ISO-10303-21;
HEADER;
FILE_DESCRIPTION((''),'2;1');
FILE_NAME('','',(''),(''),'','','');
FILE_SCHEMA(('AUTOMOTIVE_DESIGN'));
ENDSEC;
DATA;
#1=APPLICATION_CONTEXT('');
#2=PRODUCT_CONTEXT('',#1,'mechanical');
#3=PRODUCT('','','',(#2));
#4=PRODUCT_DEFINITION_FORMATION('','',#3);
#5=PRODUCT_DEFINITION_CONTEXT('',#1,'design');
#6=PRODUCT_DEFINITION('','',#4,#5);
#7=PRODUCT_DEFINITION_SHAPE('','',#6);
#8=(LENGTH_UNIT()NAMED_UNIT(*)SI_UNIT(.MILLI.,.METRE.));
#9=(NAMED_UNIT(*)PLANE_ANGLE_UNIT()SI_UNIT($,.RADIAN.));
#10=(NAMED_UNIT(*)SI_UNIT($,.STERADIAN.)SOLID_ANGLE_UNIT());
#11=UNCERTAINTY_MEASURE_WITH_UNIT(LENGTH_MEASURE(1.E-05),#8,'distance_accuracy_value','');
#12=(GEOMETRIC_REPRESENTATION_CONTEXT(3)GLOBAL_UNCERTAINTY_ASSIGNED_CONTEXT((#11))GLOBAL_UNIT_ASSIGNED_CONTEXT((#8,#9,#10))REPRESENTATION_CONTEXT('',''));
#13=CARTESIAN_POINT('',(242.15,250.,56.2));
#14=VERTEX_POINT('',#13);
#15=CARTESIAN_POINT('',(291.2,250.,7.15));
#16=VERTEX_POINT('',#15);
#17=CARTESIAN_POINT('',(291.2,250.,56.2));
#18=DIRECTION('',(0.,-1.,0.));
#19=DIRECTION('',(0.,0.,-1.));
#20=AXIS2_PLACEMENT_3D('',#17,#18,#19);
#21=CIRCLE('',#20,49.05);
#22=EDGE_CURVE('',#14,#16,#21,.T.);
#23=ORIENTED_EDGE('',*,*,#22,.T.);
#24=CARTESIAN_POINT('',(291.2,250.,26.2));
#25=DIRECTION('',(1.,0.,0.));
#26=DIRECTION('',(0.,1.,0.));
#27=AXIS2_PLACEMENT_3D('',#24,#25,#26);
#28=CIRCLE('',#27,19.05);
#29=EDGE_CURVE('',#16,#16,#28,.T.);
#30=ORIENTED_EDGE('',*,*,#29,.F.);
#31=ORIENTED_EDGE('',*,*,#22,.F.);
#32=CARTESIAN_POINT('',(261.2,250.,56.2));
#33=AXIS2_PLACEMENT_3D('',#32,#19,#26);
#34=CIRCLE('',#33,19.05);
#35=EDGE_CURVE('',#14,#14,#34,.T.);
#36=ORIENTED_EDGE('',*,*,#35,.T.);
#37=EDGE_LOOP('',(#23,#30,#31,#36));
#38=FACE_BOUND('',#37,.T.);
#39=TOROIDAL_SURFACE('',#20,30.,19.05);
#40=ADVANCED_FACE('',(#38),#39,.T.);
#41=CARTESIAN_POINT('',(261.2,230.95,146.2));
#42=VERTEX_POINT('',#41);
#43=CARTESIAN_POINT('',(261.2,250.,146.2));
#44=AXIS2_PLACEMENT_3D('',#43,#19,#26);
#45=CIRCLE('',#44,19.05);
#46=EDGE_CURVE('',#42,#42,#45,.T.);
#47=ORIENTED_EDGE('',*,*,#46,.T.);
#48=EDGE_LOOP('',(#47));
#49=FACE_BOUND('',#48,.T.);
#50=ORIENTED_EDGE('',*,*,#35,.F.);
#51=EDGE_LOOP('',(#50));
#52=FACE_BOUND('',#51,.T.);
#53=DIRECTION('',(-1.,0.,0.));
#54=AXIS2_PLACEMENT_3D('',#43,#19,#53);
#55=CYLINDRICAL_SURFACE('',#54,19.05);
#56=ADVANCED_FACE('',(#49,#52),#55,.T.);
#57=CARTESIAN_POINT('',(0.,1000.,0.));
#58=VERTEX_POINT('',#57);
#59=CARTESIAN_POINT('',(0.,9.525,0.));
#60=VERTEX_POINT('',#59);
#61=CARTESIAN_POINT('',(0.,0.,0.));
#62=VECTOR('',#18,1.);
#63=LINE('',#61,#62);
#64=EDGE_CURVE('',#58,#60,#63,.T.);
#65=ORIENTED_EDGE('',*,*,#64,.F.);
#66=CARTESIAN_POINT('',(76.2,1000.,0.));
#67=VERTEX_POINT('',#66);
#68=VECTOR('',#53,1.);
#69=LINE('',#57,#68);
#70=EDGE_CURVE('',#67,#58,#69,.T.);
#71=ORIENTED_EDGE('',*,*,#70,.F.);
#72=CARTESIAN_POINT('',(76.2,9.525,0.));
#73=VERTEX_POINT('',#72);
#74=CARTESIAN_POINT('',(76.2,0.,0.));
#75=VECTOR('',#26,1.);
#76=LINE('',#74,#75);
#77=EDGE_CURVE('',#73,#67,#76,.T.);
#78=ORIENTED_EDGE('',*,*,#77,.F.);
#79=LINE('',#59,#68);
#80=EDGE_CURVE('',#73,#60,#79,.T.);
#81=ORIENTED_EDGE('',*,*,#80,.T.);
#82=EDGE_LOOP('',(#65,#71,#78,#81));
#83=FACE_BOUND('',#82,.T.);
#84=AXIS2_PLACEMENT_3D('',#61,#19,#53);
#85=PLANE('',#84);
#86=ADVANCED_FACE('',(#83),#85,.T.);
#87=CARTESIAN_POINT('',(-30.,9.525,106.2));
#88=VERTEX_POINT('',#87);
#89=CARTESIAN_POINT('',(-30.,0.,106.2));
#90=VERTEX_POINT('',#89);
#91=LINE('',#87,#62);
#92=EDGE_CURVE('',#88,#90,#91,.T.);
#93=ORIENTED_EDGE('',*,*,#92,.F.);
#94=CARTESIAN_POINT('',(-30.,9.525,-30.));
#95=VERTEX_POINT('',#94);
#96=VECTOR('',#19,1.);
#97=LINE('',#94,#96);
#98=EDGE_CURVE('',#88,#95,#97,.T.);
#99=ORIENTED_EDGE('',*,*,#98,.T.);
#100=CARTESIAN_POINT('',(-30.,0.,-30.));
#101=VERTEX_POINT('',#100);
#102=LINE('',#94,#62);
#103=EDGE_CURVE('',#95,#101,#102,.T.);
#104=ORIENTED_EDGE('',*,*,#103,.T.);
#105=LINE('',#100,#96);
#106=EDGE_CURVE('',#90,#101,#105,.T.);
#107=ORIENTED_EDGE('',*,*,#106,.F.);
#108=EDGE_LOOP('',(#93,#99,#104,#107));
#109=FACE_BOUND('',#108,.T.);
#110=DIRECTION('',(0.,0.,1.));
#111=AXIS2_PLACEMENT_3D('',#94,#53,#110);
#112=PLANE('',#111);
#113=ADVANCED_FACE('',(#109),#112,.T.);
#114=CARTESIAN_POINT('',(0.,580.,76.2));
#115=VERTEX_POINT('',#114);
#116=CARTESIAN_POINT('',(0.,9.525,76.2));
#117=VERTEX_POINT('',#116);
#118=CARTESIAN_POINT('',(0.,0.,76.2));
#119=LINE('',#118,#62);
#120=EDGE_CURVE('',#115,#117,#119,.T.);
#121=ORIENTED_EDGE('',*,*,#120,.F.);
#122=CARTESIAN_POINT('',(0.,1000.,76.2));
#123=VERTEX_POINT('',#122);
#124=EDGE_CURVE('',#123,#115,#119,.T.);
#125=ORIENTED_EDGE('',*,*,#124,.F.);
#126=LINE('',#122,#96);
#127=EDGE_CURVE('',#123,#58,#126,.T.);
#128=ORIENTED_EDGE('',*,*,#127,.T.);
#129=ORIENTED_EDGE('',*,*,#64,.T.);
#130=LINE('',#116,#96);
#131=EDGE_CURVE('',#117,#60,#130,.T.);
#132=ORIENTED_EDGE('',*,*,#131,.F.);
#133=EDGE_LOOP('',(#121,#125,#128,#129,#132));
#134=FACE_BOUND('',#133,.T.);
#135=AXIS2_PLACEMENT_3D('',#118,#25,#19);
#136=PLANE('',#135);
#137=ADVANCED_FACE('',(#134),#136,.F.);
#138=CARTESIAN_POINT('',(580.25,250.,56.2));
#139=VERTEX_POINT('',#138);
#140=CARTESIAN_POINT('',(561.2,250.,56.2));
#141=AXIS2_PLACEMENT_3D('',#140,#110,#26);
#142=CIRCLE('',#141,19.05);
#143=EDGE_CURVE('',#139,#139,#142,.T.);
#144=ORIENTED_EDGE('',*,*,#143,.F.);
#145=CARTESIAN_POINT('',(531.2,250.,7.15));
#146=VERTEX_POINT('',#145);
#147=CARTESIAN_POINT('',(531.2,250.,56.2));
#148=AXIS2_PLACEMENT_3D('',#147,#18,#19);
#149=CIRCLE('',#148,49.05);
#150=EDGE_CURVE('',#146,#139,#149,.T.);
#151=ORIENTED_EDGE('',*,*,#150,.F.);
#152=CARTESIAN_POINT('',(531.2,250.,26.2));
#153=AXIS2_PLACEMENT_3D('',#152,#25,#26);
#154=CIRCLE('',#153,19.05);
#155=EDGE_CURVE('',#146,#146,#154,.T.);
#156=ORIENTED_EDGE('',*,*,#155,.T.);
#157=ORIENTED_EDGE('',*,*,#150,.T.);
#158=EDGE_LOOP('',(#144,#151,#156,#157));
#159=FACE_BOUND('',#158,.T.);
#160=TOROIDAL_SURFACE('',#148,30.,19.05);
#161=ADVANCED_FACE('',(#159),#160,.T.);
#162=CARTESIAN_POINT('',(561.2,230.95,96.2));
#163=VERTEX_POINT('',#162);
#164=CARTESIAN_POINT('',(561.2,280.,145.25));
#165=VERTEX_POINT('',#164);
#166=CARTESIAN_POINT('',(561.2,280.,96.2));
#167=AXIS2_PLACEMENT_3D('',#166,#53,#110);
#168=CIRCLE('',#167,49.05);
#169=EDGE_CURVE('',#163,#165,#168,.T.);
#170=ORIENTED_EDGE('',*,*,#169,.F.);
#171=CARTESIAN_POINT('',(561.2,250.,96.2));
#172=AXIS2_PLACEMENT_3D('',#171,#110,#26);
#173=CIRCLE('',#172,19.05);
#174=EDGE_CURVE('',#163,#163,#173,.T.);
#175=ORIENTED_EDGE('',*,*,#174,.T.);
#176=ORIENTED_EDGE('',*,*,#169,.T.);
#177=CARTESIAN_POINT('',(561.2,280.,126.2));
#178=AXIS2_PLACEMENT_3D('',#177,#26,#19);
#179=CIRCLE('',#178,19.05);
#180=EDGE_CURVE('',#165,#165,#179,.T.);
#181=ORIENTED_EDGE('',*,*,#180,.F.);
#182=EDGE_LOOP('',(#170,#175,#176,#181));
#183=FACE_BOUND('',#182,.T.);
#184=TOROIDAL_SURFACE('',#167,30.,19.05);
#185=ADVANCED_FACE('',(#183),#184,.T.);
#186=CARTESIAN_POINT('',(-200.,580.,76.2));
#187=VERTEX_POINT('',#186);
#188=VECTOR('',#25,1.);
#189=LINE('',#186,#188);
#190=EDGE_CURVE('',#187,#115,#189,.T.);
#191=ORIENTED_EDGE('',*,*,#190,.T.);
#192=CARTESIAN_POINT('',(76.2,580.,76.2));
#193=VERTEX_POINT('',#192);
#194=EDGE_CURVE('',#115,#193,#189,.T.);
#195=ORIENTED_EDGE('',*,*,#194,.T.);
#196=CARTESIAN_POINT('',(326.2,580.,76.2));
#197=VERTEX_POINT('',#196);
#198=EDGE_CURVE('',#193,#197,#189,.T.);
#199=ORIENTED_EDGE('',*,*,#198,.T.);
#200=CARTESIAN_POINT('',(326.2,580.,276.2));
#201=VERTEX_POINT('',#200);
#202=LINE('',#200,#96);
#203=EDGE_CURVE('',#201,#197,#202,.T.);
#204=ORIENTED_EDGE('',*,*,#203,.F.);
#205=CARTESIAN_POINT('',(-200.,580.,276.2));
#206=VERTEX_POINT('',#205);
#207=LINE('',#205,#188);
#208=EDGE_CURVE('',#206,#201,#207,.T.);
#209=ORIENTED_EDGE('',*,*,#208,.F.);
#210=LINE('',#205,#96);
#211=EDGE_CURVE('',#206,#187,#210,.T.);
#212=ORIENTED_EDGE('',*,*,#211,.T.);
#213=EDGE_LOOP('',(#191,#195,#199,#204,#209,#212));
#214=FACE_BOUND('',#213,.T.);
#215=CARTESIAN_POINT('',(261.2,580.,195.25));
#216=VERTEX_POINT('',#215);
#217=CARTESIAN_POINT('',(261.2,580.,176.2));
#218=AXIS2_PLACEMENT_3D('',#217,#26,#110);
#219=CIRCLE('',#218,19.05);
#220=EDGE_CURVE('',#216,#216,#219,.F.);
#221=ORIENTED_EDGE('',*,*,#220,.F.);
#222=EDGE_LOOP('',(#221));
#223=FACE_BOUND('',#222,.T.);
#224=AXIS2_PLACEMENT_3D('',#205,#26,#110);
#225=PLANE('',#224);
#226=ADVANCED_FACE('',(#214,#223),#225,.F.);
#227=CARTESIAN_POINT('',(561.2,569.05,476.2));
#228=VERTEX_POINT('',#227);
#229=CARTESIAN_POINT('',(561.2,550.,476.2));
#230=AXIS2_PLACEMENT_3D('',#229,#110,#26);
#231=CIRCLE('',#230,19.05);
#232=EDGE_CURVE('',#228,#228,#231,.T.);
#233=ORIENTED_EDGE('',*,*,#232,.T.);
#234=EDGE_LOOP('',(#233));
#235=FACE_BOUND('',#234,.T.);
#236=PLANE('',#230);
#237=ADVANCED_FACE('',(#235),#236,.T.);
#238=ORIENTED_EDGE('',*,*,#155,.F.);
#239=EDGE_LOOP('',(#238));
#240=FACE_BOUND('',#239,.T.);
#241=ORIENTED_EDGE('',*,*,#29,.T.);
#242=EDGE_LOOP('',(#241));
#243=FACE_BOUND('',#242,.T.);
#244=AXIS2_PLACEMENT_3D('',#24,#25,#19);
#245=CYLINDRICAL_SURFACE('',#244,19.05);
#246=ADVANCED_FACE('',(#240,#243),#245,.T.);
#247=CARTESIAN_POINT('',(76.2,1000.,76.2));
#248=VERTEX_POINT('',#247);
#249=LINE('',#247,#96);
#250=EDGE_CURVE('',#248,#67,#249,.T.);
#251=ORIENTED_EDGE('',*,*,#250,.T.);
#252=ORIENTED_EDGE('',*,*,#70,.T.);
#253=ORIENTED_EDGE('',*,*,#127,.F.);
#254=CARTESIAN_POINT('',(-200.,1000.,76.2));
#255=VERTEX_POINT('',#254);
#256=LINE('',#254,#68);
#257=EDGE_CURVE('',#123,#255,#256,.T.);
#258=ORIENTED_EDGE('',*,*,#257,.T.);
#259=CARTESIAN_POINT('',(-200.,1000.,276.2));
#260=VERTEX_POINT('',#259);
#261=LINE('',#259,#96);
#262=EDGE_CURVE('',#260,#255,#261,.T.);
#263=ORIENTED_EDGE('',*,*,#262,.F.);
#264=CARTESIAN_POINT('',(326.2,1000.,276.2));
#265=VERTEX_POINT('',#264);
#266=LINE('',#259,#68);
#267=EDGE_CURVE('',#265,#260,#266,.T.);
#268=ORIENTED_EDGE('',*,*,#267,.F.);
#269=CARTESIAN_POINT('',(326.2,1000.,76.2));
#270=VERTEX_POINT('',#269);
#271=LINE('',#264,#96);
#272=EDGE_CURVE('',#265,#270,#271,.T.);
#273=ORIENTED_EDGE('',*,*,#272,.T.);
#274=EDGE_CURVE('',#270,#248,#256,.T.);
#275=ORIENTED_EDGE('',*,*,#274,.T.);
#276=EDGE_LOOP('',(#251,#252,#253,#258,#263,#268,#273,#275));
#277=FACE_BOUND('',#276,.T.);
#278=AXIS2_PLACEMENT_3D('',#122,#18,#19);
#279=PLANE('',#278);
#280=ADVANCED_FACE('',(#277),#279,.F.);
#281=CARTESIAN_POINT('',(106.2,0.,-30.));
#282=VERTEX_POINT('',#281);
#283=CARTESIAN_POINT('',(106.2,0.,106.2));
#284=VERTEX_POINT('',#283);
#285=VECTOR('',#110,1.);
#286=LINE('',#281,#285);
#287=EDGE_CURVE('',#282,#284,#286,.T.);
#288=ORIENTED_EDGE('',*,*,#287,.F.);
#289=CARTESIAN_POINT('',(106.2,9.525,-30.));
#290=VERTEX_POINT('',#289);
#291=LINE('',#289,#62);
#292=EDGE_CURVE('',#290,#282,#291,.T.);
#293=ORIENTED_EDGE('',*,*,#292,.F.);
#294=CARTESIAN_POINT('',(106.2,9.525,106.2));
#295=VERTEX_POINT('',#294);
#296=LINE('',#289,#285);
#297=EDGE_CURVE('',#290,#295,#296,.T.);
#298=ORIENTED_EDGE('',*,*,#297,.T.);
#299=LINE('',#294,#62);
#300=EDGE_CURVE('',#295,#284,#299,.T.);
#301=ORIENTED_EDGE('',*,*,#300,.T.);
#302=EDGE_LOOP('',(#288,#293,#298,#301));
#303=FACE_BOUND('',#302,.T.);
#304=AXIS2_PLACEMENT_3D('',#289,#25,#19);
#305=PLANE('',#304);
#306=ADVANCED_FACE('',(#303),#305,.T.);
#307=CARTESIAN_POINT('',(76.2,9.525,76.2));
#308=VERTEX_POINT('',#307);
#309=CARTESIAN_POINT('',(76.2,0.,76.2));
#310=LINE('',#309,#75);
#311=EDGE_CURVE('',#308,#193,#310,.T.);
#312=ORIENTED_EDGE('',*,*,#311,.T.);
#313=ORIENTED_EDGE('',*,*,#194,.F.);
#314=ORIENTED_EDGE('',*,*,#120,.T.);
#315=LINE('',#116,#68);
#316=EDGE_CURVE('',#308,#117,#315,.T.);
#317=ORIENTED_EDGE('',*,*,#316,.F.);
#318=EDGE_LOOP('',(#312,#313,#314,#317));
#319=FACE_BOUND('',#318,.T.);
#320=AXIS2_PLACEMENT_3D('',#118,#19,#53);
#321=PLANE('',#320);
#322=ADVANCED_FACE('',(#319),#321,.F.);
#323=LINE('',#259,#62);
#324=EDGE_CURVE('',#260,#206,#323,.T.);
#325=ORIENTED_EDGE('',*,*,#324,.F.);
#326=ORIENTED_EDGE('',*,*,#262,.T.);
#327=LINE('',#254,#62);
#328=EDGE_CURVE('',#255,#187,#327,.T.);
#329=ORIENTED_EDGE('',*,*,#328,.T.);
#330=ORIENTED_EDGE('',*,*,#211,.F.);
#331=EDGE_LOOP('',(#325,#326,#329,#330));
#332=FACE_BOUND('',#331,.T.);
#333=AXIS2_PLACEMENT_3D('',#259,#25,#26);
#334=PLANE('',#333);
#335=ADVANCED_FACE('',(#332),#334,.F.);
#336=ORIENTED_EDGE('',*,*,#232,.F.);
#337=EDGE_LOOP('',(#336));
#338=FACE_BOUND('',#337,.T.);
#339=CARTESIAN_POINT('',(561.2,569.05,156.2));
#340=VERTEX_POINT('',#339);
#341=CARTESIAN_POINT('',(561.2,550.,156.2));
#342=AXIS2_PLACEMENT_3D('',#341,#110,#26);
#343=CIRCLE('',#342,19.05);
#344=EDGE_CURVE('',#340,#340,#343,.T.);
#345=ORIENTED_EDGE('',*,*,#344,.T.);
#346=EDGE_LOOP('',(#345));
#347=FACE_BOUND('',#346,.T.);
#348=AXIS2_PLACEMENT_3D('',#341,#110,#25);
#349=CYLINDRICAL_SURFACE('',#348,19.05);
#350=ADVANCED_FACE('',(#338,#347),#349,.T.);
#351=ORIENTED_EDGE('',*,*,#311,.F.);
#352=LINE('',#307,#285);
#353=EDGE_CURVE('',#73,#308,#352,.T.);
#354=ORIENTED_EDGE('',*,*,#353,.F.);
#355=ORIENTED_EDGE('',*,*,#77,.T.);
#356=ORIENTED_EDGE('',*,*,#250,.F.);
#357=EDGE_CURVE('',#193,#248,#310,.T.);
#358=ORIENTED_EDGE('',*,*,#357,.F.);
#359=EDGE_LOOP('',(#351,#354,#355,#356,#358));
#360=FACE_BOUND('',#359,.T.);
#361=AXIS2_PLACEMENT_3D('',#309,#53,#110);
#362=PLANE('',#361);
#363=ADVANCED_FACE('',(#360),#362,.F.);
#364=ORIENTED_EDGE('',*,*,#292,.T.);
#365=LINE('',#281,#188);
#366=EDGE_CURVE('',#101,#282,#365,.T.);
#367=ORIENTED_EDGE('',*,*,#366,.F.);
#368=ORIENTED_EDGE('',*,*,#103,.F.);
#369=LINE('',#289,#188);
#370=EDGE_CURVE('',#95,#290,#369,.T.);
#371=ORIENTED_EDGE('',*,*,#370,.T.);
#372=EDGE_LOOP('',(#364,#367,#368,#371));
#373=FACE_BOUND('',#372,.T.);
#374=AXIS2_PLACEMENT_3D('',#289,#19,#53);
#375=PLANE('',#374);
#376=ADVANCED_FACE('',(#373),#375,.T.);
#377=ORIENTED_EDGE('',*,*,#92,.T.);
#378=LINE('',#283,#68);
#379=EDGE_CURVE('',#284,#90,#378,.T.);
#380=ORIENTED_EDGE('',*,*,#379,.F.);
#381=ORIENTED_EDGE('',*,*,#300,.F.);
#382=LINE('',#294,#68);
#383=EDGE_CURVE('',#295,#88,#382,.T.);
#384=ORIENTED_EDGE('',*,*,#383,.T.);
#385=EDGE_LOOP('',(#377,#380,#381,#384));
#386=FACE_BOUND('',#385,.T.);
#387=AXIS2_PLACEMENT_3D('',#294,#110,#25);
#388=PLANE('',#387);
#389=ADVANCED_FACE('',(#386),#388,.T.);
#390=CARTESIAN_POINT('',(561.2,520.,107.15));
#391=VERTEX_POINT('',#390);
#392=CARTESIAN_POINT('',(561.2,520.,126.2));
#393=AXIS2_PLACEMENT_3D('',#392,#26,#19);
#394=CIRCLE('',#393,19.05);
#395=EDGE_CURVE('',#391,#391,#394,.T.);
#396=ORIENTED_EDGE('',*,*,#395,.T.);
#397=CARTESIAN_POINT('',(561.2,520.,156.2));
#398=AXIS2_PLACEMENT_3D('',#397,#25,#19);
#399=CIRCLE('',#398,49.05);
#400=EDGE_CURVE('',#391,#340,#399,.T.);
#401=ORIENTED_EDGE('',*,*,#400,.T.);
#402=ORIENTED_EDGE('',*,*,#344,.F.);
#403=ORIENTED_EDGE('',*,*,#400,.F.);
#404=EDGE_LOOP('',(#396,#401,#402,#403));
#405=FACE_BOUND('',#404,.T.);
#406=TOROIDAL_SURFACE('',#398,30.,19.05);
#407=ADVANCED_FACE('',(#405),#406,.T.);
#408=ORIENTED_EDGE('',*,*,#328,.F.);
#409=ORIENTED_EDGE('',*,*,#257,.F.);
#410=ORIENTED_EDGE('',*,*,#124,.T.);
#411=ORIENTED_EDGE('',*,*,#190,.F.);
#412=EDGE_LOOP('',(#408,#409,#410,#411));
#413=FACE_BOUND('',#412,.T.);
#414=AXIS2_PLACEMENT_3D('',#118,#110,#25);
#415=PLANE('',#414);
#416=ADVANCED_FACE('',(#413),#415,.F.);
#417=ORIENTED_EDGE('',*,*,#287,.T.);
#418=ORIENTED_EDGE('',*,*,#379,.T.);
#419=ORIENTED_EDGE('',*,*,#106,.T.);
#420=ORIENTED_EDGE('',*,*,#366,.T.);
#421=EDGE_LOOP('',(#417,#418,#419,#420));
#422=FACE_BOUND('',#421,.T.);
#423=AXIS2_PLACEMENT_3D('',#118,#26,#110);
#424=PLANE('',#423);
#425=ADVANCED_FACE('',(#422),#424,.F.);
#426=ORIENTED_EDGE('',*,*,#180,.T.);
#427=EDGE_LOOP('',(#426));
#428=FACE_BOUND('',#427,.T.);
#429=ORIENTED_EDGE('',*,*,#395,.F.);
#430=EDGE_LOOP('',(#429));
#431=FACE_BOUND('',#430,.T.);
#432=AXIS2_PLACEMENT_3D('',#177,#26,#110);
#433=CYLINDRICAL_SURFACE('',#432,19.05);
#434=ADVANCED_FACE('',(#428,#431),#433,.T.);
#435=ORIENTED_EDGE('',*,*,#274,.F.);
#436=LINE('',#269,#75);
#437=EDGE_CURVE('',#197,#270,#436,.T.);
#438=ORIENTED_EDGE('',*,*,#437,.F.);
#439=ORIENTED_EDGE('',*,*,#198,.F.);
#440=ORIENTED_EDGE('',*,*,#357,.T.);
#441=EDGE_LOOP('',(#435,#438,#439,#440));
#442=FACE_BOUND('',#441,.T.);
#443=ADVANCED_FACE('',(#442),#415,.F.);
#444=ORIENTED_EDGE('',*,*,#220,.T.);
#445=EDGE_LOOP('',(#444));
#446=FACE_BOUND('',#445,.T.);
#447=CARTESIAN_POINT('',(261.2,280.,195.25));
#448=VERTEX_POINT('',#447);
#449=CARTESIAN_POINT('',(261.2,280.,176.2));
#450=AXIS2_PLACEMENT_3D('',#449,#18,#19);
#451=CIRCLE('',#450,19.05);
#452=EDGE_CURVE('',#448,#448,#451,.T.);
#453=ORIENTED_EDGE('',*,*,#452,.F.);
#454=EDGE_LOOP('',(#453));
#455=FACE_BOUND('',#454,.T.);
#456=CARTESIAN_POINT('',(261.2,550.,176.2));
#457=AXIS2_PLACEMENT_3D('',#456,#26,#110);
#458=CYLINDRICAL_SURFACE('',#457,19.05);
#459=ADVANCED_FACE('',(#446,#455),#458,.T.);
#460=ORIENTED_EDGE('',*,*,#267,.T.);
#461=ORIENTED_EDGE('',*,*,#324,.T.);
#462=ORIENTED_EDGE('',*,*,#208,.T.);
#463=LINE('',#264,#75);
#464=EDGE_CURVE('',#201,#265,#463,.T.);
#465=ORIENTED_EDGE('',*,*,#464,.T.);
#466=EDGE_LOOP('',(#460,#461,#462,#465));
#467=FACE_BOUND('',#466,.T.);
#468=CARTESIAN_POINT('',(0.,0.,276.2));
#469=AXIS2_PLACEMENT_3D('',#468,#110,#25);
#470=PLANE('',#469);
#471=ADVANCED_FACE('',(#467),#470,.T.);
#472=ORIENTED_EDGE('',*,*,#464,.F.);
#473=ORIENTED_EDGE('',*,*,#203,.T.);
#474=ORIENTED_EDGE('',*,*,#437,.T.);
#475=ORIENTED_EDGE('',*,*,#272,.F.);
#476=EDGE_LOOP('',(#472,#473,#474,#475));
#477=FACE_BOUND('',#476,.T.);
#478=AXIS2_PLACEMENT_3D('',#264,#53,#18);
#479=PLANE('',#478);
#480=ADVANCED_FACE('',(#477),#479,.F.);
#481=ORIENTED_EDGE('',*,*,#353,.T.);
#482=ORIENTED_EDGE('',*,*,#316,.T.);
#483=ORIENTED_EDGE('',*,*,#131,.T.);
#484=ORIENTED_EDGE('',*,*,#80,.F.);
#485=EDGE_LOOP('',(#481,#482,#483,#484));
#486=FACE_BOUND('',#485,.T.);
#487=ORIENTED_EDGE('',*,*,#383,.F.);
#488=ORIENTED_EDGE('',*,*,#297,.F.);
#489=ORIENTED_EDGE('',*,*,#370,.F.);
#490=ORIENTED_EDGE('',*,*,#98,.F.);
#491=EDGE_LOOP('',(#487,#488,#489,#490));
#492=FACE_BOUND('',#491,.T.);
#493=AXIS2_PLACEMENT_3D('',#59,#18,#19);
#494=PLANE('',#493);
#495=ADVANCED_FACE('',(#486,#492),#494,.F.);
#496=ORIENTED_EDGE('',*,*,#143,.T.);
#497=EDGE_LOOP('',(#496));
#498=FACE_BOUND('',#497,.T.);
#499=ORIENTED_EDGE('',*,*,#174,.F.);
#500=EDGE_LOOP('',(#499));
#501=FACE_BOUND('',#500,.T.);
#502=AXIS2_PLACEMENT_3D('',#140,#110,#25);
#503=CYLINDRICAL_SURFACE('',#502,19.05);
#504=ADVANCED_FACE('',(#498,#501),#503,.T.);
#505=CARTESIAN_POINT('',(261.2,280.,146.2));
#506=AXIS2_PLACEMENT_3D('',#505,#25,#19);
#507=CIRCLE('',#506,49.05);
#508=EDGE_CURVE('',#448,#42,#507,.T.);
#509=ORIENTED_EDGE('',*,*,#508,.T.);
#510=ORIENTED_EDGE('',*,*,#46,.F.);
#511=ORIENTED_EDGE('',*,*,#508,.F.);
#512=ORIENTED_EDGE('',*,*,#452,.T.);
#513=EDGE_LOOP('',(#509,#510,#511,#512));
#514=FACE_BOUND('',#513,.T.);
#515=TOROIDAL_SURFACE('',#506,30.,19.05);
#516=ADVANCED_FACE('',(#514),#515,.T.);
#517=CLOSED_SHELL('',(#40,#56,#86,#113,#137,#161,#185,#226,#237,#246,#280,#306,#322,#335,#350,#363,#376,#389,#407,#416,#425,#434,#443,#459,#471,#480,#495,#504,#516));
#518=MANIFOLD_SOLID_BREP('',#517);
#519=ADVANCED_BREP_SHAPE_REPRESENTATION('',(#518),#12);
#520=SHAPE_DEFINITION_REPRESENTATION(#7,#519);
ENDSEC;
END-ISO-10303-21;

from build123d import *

# Parameters (mm, degrees)
CROQUIS1_W              = 76.2
CROQUIS1_H              = 1000
SALIENTE_EXTRUIR1_DEPTH = 76.2
CROQUIS2_W              = 136.2
CROQUIS2_H              = 136.2
SALIENTE_EXTRUIR2_DEPTH = 9.525
CROQUIS3_W              = 526.2
CROQUIS3_H              = 420
SALIENTE_EXTRUIR3_DEPTH = 200
CROQUIS4_R              = 19.05
SALIENTE_EXTRUIR4_DEPTH = 30
CROQUIS5_R              = 19.05


with BuildPart() as part:
    # Croquis1 → Saliente-Extruir1 (new body)
    with BuildSketch(Plane.XY):
        with Locations((38.1, 500)):
            Rectangle(CROQUIS1_W, CROQUIS1_H)
    extrude(amount=SALIENTE_EXTRUIR1_DEPTH)

    # Croquis2 → Saliente-Extruir2 (add)
    with BuildSketch(Plane.XZ):
        with Locations((38.1, 38.1)):
            Rectangle(CROQUIS2_W, CROQUIS2_H)
    extrude(amount=-SALIENTE_EXTRUIR2_DEPTH)

    # Croquis3 → Saliente-Extruir3 (add)
    with BuildSketch(Plane.XY.offset(76.2)):
        with Locations((63.1, 790)):
            Rectangle(CROQUIS3_W, CROQUIS3_H)
    extrude(amount=SALIENTE_EXTRUIR3_DEPTH)

    # Croquis4 → Saliente-Extruir4 (add)
    with BuildSketch(Plane.XZ.offset(-580)):
        with Locations(Location((261.2, 176.2, 0), (0, 0, 90))):
            Circle(CROQUIS4_R)
    extrude(amount=SALIENTE_EXTRUIR4_DEPTH)

    # Barrer1: sweep along a curve in space
    with BuildLine() as barrer1_path:
        Line((261.2, 550, 176.2), (261.2, 280, 176.2))
        ThreePointArc((261.2, 280, 176.2), (261.2, 258.786796564, 167.413203436), (261.2, 250, 146.2))
        Line((261.2, 250, 146.2), (261.2, 250, 56.2))
        ThreePointArc((261.2, 250, 56.2), (269.986796564, 250, 34.986796564), (291.2, 250, 26.2))
        Line((291.2, 250, 26.2), (531.2, 250, 26.2))
        ThreePointArc((531.2, 250, 26.2), (552.413203436, 250, 34.986796564), (561.2, 250, 56.2))
        Line((561.2, 250, 56.2), (561.2, 250, 96.2))
        ThreePointArc((561.2, 250, 96.2), (561.2, 258.786796564, 117.413203436), (561.2, 280, 126.2))
        Line((561.2, 280, 126.2), (561.2, 520, 126.2))
        ThreePointArc((561.2, 520, 126.2), (561.2, 541.213203436, 134.986796564), (561.2, 550, 156.2))
        Line((561.2, 550, 156.2), (561.2, 550, 476.2))
    # Croquis5 → Barrer1 (sweep)
    with BuildSketch(Plane.XZ.offset(-550)):
        with Locations((261.2, 176.2)):
            Circle(CROQUIS5_R)
    sweep(path=barrer1_path.line)


solid = part.part
